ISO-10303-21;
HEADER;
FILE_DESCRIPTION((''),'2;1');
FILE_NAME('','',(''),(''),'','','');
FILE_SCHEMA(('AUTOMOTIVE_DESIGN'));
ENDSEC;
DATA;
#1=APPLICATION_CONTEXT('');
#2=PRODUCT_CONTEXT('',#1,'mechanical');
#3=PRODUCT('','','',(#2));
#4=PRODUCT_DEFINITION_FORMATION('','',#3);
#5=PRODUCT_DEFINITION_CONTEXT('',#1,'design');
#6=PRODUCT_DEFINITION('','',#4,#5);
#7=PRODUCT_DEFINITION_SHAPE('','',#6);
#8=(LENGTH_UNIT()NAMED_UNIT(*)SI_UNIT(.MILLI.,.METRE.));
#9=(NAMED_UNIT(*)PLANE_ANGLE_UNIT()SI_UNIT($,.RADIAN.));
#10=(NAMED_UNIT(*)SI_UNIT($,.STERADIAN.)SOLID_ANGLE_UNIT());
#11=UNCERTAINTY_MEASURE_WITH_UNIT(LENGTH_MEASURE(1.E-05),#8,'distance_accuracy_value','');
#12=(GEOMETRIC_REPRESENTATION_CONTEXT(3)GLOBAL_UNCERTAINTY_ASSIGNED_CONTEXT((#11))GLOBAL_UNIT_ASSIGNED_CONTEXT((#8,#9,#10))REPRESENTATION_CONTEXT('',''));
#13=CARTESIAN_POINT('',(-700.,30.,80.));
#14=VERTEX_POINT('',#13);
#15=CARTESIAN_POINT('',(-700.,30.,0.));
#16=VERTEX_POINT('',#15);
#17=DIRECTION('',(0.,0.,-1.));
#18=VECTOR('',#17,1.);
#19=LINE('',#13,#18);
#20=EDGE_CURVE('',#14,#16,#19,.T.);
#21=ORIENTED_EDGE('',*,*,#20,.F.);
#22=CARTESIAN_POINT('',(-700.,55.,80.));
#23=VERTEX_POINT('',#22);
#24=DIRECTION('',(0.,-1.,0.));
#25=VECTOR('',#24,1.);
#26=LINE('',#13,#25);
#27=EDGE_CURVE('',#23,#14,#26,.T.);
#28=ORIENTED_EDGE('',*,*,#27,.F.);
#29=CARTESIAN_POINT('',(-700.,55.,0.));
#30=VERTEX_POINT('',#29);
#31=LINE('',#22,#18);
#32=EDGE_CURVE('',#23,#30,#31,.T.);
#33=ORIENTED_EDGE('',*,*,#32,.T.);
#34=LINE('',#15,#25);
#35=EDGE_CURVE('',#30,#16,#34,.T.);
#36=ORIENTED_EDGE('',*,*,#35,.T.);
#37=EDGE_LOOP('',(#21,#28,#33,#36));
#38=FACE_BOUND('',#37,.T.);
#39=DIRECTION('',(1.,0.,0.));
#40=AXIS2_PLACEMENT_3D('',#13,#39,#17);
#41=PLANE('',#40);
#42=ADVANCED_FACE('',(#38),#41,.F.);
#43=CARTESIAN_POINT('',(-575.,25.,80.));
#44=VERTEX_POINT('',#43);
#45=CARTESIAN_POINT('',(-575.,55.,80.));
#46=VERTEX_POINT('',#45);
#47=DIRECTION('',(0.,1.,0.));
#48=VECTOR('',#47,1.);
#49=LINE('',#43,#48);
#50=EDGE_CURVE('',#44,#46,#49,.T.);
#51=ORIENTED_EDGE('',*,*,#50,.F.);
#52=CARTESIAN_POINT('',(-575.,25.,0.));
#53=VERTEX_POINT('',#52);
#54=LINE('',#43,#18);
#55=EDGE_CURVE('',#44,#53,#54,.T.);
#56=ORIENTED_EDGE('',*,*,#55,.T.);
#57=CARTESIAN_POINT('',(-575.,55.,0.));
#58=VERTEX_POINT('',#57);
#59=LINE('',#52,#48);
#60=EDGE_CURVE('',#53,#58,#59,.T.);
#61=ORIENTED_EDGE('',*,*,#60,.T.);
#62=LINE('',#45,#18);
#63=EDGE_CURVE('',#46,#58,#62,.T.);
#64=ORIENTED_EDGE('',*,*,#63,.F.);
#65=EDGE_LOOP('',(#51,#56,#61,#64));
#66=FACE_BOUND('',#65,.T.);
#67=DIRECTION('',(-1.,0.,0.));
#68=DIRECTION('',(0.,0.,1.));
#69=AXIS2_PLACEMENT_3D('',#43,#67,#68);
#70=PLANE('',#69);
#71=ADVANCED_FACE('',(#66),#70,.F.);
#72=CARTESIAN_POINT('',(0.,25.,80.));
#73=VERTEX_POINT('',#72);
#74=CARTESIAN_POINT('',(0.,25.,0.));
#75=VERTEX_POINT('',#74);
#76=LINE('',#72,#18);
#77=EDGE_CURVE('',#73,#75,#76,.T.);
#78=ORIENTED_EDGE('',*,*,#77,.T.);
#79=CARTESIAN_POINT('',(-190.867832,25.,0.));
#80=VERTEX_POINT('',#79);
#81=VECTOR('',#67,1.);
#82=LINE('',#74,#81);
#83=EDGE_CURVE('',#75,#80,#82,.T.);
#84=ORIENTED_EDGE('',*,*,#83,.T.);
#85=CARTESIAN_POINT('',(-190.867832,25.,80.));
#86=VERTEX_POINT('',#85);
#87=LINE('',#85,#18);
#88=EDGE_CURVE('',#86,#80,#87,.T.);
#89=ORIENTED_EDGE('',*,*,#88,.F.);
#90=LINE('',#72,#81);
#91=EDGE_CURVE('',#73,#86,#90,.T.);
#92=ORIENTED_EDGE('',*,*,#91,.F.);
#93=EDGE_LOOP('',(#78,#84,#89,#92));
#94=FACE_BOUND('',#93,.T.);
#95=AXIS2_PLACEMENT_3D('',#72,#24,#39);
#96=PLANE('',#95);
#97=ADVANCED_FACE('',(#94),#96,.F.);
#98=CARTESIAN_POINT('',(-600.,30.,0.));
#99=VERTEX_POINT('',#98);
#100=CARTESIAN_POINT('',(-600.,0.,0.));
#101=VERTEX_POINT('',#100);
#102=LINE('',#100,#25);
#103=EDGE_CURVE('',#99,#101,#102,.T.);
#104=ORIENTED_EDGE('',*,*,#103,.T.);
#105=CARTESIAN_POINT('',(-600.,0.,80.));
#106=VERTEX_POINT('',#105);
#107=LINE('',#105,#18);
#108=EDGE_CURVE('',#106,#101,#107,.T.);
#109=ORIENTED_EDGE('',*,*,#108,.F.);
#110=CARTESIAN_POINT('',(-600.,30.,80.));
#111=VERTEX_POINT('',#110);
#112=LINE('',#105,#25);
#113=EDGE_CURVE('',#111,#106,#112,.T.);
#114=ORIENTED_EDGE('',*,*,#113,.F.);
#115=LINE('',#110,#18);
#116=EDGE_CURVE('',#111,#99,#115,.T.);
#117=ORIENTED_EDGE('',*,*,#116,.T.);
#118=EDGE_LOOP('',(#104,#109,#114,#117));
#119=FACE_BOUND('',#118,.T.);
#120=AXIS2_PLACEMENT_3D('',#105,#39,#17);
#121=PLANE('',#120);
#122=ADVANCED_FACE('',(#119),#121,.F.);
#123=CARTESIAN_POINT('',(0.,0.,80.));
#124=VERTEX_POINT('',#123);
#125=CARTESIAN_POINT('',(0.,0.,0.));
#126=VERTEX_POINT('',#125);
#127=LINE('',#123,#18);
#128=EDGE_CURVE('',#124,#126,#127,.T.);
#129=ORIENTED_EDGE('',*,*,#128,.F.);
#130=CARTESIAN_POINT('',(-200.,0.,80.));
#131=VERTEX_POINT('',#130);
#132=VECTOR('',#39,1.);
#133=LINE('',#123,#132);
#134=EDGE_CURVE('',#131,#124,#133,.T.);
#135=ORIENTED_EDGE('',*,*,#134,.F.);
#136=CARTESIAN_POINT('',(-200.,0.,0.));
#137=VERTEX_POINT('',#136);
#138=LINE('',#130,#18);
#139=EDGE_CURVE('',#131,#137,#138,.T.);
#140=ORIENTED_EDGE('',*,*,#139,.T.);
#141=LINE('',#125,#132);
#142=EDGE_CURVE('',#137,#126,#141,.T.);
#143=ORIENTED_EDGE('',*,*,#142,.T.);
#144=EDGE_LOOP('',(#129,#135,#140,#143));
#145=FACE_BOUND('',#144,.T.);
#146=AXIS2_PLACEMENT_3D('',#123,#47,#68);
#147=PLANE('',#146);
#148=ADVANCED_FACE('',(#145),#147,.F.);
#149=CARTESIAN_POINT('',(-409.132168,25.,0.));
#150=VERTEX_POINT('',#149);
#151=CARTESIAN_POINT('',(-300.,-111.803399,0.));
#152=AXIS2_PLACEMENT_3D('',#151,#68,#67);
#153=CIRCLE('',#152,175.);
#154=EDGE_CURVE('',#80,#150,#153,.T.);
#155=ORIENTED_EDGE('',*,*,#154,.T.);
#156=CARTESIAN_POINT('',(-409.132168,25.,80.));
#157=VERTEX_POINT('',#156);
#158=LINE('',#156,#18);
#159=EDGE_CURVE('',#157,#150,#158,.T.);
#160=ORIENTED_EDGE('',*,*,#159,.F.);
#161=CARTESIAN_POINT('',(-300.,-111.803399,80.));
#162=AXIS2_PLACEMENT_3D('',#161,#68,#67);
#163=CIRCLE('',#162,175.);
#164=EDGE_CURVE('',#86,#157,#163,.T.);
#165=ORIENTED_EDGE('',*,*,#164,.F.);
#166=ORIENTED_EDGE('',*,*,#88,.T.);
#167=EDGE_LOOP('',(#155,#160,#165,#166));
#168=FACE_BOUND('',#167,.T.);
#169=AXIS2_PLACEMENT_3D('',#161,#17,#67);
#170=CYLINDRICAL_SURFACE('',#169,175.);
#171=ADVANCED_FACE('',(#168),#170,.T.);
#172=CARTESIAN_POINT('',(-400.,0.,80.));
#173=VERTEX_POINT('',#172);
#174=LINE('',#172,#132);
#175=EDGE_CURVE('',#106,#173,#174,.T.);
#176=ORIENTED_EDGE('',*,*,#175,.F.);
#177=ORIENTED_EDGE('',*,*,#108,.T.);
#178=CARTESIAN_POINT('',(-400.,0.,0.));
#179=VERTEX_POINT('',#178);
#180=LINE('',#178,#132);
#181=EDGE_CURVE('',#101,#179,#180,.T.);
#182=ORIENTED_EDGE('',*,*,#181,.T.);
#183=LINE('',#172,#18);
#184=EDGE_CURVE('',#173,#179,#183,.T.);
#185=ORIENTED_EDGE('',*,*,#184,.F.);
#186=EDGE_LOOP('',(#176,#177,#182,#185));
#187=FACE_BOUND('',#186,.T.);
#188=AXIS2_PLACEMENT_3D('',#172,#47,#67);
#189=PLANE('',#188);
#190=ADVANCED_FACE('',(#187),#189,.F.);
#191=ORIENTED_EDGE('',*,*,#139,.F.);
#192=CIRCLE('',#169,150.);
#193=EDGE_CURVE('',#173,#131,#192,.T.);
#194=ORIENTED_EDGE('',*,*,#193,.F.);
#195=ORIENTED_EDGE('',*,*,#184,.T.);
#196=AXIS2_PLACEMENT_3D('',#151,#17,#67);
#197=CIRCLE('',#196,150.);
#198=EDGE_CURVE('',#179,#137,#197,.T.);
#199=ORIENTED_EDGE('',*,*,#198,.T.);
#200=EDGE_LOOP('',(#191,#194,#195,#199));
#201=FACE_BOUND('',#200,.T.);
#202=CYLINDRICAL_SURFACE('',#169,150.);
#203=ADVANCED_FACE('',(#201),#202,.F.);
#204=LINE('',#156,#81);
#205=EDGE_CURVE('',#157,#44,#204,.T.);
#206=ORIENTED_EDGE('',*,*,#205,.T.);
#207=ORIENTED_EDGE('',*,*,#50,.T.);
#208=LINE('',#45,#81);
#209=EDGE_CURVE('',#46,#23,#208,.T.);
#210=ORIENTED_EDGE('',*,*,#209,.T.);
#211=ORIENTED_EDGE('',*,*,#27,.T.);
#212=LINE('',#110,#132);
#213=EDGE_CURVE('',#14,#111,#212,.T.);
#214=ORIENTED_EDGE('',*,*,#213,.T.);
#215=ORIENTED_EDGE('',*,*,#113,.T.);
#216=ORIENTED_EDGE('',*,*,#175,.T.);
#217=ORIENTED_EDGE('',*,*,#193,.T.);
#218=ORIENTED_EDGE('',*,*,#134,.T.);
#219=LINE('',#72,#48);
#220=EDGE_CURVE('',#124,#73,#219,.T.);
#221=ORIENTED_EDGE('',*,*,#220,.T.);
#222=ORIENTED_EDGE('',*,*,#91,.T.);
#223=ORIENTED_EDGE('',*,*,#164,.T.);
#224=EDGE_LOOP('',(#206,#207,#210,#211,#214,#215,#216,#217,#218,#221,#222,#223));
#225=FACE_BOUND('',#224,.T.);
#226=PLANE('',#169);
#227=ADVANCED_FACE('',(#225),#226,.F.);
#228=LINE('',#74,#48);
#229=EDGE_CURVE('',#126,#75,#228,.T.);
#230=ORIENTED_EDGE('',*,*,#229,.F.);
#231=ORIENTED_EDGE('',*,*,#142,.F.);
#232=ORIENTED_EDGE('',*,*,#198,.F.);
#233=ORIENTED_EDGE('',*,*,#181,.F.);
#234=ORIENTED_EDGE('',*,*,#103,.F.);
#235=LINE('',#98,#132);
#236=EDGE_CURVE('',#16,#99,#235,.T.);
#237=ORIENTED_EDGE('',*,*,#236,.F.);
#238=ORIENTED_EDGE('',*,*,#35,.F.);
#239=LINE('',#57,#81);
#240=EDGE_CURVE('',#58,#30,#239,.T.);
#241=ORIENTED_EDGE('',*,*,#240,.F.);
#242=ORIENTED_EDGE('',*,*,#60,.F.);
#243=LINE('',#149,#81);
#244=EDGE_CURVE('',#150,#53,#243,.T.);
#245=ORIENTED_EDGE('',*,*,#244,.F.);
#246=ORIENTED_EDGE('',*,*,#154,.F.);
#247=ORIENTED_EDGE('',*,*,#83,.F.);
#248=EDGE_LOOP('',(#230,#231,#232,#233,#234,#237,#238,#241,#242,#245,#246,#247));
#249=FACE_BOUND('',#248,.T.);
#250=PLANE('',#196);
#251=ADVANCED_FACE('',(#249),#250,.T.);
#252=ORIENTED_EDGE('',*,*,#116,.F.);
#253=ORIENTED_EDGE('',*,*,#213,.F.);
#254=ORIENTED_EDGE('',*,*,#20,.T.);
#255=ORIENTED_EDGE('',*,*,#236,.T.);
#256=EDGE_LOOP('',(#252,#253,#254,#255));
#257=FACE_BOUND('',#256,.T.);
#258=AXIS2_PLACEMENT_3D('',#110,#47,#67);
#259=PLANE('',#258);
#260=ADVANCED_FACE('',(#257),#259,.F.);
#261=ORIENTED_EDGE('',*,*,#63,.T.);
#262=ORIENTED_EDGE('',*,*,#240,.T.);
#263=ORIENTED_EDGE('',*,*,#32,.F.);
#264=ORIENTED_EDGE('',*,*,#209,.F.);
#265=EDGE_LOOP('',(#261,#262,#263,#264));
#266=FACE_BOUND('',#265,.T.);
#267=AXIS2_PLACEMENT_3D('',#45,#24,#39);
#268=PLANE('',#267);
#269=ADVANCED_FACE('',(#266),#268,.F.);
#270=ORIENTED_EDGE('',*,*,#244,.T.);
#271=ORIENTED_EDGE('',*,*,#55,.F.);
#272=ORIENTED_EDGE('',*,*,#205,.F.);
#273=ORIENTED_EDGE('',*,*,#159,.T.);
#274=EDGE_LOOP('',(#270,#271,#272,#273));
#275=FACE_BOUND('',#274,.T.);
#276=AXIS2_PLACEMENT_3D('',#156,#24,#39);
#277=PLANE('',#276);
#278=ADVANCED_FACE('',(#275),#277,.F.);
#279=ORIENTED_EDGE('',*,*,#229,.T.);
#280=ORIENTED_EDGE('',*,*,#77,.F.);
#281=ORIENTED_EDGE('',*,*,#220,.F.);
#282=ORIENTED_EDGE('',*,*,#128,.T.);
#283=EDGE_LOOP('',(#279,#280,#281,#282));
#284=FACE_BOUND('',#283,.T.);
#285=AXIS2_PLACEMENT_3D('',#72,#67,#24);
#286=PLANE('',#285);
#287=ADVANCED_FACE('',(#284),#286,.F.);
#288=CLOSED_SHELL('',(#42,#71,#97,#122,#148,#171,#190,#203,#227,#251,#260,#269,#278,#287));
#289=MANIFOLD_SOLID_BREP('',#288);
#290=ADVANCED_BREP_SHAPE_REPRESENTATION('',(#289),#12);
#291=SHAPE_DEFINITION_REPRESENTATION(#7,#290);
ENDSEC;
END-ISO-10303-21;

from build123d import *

# Parameters (mm, degrees)
BOSS_EXTRUDE1_DEPTH = 80


with BuildPart() as part:
    # Sketch1 → Boss-Extrude1 (new body)
    with BuildSketch(Plane.XY):
        with BuildLine():
            Line((0, 0), (-200, 0))
            ThreePointArc((-200, 0), (-300, 38.196601125), (-400, 0))
            Line((-400, 0), (-600, 0))
            Line((-600, 0), (-600, 30))
            Line((-600, 30), (-700, 30))
            Line((-700, 30), (-700, 55))
            Line((-700, 55), (-575, 55))
            Line((-575, 55), (-575, 25))
            Line((-575, 25), (-409.132167834, 25))
            ThreePointArc((-409.132167834, 25), (-300, 63.196601125), (-190.867832166, 25))
            Line((-190.867832166, 25), (0, 25))
            Line((0, 25), (0, 0))
        make_face()
    extrude(amount=BOSS_EXTRUDE1_DEPTH)


solid = part.part
